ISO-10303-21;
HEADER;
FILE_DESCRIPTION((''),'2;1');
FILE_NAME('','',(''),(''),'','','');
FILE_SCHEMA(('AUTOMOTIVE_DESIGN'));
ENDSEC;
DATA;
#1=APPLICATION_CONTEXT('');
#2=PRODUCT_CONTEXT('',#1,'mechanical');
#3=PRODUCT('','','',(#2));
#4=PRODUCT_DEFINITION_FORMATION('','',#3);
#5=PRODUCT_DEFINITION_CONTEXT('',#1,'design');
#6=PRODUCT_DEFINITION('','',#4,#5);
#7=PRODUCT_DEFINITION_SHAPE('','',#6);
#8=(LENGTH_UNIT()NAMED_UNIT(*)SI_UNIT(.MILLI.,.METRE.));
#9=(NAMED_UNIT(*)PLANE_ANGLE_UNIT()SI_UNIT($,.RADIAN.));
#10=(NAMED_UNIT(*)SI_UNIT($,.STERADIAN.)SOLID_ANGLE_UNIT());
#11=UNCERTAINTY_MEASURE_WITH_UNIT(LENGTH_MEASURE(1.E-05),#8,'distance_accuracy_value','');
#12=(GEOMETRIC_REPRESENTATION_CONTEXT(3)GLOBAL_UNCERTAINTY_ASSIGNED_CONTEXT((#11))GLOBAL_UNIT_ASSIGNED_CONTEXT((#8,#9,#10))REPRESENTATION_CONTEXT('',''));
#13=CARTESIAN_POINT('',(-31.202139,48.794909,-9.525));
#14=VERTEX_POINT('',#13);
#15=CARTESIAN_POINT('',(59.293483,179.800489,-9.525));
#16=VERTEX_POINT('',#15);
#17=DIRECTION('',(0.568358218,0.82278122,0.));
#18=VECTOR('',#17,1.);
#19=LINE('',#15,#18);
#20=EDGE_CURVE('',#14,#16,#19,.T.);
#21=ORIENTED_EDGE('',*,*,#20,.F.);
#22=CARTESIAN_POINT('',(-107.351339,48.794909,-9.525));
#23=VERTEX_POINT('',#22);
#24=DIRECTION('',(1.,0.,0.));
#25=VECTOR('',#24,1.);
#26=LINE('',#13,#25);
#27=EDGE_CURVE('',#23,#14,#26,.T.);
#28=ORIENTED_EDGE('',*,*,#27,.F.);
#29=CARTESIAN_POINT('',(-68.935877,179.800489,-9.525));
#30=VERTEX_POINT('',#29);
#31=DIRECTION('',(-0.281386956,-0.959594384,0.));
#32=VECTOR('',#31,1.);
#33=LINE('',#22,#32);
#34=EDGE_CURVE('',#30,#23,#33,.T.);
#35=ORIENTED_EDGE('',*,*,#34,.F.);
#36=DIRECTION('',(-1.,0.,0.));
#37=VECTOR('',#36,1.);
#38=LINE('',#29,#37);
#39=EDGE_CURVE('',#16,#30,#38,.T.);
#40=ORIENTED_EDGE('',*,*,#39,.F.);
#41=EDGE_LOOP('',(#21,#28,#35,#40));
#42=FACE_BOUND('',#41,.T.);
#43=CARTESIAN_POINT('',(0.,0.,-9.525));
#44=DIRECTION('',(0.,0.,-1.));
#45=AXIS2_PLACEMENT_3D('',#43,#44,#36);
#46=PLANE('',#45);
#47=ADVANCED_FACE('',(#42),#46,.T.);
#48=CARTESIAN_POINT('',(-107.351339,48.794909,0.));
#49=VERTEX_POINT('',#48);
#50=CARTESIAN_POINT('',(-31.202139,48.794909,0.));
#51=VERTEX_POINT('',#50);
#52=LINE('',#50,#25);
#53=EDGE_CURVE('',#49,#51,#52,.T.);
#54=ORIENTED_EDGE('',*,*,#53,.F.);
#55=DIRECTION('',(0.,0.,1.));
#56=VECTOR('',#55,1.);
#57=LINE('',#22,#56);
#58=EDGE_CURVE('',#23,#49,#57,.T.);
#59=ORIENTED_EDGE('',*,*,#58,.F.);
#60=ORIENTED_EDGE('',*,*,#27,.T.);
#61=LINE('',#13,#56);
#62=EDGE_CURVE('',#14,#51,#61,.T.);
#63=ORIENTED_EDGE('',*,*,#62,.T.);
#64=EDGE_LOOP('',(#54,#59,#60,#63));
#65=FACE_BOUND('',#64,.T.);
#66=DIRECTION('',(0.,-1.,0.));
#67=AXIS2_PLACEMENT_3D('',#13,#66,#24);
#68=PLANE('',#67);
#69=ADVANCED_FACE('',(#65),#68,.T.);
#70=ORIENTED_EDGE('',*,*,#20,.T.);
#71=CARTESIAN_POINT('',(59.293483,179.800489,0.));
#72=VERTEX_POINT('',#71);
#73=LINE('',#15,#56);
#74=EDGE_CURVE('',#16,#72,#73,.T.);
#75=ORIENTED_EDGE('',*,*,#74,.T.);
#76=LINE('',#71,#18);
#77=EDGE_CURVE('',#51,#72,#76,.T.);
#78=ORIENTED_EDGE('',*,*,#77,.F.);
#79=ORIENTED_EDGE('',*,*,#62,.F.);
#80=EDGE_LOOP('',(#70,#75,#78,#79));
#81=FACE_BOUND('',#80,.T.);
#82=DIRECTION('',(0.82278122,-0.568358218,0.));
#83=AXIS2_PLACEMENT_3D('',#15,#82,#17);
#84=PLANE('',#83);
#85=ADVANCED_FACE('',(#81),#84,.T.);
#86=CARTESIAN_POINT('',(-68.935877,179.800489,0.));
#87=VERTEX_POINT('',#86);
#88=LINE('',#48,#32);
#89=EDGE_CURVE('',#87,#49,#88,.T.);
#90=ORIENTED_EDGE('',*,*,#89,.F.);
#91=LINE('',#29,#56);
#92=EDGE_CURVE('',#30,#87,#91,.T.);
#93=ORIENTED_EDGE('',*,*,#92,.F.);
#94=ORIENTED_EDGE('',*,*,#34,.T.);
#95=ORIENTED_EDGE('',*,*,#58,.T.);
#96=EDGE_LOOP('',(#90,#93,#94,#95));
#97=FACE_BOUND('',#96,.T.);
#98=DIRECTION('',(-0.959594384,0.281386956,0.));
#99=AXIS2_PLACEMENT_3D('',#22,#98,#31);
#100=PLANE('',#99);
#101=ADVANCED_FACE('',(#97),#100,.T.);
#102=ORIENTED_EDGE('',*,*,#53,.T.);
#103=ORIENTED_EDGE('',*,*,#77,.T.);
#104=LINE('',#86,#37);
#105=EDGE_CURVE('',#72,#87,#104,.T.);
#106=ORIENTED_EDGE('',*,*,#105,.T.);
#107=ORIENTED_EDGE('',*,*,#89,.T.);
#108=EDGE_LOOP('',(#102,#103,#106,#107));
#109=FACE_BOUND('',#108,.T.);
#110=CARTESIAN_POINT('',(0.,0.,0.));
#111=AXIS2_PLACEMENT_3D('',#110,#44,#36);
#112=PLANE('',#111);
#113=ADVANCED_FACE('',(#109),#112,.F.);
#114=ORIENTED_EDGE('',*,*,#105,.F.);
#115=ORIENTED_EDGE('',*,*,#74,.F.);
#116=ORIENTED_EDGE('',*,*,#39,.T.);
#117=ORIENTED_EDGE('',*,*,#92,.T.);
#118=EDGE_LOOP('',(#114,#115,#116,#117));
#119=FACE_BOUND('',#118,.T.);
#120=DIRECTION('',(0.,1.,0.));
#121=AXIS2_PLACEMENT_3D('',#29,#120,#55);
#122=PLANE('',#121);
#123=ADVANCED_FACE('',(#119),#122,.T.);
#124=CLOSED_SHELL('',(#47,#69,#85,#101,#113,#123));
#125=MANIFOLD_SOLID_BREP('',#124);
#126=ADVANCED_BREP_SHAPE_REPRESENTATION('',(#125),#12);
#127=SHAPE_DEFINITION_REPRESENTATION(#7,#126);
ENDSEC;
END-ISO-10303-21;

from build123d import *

# Parameters (mm, degrees)
BOSS_EXTRUDE1_DEPTH = 9.525


with BuildPart() as part:
    # Sketch1 → Boss-Extrude1 (new body)
    with BuildSketch(Plane.XY):
        Polygon((-107.351338813, 48.794909363), (-68.935877084, 179.800489363), (59.293482916, 179.800489363), (-31.202138813, 48.794909363), align=None)
    extrude(amount=-BOSS_EXTRUDE1_DEPTH)


solid = part.part
